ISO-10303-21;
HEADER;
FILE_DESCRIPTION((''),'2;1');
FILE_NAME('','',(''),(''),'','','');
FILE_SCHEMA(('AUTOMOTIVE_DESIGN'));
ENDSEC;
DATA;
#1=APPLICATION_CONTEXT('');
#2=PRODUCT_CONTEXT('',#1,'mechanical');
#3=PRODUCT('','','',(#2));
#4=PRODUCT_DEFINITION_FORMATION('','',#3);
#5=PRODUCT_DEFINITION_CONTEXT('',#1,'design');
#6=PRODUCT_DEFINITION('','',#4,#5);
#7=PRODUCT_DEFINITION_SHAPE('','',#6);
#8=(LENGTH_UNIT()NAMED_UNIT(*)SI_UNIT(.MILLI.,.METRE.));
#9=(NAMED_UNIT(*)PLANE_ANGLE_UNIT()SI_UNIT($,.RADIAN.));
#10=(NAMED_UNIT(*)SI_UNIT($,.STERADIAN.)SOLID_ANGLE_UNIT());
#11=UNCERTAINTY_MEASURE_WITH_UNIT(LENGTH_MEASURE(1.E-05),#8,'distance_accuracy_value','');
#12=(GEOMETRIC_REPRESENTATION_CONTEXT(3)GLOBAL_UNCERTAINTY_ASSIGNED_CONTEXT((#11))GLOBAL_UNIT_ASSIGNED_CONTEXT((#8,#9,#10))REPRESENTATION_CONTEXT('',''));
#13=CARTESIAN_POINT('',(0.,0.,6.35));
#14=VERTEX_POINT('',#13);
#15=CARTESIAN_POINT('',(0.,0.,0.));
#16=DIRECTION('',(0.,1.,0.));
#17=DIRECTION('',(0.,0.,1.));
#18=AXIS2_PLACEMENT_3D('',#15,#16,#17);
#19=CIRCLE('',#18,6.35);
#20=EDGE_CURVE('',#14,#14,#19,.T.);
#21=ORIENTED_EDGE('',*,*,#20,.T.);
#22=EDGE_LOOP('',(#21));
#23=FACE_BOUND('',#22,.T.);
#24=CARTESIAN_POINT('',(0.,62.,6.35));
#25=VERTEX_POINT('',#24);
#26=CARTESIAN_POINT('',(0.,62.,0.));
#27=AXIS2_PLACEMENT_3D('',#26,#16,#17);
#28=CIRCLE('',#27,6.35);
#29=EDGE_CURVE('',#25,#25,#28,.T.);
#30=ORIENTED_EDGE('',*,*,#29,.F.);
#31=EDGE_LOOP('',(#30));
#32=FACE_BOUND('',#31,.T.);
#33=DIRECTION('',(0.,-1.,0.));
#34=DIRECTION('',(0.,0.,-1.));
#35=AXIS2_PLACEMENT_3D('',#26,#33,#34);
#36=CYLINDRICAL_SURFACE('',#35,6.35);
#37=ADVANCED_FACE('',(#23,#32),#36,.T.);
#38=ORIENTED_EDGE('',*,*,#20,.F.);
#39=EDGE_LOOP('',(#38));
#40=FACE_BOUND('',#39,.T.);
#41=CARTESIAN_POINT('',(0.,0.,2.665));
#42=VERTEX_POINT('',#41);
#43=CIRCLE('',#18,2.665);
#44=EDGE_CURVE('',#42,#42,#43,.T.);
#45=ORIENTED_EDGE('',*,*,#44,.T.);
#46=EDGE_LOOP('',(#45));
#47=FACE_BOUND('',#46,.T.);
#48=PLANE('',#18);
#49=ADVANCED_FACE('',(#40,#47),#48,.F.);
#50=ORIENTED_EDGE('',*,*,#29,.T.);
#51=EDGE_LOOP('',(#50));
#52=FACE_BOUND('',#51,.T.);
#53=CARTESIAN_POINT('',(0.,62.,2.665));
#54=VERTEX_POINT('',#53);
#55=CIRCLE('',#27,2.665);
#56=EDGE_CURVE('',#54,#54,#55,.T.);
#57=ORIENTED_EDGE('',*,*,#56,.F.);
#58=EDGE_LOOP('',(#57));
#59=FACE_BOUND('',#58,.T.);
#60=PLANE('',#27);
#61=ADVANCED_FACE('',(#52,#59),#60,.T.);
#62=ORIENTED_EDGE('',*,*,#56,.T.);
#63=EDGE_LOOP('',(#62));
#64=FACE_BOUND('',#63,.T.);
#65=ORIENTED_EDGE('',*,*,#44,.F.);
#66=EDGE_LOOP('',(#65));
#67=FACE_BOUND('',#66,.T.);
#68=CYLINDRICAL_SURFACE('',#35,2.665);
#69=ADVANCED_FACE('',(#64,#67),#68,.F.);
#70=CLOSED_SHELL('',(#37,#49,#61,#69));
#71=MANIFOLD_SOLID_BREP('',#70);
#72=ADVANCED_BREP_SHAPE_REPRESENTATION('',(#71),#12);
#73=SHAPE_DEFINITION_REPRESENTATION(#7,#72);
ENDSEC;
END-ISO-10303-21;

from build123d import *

# Parameters (mm, degrees)
SKETCH1_R           = 6.35
SKETCH1_R_2         = 2.665
BOSS_EXTRUDE1_DEPTH = 62


with BuildPart() as part:
    # Sketch1 → Boss-Extrude1 (new body)
    with BuildSketch(Plane(origin=(0, 0, 0), x_dir=(1, 0, 0), z_dir=(0, 1, 0))):
        with Locations(Location((0, 0, 0), (0, 0, 270))):
            Circle(SKETCH1_R)
        with Locations(Location((0, 0, 0), (0, 0, 270))):
            Circle(SKETCH1_R_2, mode=Mode.SUBTRACT)
    extrude(amount=BOSS_EXTRUDE1_DEPTH)


solid = part.part
